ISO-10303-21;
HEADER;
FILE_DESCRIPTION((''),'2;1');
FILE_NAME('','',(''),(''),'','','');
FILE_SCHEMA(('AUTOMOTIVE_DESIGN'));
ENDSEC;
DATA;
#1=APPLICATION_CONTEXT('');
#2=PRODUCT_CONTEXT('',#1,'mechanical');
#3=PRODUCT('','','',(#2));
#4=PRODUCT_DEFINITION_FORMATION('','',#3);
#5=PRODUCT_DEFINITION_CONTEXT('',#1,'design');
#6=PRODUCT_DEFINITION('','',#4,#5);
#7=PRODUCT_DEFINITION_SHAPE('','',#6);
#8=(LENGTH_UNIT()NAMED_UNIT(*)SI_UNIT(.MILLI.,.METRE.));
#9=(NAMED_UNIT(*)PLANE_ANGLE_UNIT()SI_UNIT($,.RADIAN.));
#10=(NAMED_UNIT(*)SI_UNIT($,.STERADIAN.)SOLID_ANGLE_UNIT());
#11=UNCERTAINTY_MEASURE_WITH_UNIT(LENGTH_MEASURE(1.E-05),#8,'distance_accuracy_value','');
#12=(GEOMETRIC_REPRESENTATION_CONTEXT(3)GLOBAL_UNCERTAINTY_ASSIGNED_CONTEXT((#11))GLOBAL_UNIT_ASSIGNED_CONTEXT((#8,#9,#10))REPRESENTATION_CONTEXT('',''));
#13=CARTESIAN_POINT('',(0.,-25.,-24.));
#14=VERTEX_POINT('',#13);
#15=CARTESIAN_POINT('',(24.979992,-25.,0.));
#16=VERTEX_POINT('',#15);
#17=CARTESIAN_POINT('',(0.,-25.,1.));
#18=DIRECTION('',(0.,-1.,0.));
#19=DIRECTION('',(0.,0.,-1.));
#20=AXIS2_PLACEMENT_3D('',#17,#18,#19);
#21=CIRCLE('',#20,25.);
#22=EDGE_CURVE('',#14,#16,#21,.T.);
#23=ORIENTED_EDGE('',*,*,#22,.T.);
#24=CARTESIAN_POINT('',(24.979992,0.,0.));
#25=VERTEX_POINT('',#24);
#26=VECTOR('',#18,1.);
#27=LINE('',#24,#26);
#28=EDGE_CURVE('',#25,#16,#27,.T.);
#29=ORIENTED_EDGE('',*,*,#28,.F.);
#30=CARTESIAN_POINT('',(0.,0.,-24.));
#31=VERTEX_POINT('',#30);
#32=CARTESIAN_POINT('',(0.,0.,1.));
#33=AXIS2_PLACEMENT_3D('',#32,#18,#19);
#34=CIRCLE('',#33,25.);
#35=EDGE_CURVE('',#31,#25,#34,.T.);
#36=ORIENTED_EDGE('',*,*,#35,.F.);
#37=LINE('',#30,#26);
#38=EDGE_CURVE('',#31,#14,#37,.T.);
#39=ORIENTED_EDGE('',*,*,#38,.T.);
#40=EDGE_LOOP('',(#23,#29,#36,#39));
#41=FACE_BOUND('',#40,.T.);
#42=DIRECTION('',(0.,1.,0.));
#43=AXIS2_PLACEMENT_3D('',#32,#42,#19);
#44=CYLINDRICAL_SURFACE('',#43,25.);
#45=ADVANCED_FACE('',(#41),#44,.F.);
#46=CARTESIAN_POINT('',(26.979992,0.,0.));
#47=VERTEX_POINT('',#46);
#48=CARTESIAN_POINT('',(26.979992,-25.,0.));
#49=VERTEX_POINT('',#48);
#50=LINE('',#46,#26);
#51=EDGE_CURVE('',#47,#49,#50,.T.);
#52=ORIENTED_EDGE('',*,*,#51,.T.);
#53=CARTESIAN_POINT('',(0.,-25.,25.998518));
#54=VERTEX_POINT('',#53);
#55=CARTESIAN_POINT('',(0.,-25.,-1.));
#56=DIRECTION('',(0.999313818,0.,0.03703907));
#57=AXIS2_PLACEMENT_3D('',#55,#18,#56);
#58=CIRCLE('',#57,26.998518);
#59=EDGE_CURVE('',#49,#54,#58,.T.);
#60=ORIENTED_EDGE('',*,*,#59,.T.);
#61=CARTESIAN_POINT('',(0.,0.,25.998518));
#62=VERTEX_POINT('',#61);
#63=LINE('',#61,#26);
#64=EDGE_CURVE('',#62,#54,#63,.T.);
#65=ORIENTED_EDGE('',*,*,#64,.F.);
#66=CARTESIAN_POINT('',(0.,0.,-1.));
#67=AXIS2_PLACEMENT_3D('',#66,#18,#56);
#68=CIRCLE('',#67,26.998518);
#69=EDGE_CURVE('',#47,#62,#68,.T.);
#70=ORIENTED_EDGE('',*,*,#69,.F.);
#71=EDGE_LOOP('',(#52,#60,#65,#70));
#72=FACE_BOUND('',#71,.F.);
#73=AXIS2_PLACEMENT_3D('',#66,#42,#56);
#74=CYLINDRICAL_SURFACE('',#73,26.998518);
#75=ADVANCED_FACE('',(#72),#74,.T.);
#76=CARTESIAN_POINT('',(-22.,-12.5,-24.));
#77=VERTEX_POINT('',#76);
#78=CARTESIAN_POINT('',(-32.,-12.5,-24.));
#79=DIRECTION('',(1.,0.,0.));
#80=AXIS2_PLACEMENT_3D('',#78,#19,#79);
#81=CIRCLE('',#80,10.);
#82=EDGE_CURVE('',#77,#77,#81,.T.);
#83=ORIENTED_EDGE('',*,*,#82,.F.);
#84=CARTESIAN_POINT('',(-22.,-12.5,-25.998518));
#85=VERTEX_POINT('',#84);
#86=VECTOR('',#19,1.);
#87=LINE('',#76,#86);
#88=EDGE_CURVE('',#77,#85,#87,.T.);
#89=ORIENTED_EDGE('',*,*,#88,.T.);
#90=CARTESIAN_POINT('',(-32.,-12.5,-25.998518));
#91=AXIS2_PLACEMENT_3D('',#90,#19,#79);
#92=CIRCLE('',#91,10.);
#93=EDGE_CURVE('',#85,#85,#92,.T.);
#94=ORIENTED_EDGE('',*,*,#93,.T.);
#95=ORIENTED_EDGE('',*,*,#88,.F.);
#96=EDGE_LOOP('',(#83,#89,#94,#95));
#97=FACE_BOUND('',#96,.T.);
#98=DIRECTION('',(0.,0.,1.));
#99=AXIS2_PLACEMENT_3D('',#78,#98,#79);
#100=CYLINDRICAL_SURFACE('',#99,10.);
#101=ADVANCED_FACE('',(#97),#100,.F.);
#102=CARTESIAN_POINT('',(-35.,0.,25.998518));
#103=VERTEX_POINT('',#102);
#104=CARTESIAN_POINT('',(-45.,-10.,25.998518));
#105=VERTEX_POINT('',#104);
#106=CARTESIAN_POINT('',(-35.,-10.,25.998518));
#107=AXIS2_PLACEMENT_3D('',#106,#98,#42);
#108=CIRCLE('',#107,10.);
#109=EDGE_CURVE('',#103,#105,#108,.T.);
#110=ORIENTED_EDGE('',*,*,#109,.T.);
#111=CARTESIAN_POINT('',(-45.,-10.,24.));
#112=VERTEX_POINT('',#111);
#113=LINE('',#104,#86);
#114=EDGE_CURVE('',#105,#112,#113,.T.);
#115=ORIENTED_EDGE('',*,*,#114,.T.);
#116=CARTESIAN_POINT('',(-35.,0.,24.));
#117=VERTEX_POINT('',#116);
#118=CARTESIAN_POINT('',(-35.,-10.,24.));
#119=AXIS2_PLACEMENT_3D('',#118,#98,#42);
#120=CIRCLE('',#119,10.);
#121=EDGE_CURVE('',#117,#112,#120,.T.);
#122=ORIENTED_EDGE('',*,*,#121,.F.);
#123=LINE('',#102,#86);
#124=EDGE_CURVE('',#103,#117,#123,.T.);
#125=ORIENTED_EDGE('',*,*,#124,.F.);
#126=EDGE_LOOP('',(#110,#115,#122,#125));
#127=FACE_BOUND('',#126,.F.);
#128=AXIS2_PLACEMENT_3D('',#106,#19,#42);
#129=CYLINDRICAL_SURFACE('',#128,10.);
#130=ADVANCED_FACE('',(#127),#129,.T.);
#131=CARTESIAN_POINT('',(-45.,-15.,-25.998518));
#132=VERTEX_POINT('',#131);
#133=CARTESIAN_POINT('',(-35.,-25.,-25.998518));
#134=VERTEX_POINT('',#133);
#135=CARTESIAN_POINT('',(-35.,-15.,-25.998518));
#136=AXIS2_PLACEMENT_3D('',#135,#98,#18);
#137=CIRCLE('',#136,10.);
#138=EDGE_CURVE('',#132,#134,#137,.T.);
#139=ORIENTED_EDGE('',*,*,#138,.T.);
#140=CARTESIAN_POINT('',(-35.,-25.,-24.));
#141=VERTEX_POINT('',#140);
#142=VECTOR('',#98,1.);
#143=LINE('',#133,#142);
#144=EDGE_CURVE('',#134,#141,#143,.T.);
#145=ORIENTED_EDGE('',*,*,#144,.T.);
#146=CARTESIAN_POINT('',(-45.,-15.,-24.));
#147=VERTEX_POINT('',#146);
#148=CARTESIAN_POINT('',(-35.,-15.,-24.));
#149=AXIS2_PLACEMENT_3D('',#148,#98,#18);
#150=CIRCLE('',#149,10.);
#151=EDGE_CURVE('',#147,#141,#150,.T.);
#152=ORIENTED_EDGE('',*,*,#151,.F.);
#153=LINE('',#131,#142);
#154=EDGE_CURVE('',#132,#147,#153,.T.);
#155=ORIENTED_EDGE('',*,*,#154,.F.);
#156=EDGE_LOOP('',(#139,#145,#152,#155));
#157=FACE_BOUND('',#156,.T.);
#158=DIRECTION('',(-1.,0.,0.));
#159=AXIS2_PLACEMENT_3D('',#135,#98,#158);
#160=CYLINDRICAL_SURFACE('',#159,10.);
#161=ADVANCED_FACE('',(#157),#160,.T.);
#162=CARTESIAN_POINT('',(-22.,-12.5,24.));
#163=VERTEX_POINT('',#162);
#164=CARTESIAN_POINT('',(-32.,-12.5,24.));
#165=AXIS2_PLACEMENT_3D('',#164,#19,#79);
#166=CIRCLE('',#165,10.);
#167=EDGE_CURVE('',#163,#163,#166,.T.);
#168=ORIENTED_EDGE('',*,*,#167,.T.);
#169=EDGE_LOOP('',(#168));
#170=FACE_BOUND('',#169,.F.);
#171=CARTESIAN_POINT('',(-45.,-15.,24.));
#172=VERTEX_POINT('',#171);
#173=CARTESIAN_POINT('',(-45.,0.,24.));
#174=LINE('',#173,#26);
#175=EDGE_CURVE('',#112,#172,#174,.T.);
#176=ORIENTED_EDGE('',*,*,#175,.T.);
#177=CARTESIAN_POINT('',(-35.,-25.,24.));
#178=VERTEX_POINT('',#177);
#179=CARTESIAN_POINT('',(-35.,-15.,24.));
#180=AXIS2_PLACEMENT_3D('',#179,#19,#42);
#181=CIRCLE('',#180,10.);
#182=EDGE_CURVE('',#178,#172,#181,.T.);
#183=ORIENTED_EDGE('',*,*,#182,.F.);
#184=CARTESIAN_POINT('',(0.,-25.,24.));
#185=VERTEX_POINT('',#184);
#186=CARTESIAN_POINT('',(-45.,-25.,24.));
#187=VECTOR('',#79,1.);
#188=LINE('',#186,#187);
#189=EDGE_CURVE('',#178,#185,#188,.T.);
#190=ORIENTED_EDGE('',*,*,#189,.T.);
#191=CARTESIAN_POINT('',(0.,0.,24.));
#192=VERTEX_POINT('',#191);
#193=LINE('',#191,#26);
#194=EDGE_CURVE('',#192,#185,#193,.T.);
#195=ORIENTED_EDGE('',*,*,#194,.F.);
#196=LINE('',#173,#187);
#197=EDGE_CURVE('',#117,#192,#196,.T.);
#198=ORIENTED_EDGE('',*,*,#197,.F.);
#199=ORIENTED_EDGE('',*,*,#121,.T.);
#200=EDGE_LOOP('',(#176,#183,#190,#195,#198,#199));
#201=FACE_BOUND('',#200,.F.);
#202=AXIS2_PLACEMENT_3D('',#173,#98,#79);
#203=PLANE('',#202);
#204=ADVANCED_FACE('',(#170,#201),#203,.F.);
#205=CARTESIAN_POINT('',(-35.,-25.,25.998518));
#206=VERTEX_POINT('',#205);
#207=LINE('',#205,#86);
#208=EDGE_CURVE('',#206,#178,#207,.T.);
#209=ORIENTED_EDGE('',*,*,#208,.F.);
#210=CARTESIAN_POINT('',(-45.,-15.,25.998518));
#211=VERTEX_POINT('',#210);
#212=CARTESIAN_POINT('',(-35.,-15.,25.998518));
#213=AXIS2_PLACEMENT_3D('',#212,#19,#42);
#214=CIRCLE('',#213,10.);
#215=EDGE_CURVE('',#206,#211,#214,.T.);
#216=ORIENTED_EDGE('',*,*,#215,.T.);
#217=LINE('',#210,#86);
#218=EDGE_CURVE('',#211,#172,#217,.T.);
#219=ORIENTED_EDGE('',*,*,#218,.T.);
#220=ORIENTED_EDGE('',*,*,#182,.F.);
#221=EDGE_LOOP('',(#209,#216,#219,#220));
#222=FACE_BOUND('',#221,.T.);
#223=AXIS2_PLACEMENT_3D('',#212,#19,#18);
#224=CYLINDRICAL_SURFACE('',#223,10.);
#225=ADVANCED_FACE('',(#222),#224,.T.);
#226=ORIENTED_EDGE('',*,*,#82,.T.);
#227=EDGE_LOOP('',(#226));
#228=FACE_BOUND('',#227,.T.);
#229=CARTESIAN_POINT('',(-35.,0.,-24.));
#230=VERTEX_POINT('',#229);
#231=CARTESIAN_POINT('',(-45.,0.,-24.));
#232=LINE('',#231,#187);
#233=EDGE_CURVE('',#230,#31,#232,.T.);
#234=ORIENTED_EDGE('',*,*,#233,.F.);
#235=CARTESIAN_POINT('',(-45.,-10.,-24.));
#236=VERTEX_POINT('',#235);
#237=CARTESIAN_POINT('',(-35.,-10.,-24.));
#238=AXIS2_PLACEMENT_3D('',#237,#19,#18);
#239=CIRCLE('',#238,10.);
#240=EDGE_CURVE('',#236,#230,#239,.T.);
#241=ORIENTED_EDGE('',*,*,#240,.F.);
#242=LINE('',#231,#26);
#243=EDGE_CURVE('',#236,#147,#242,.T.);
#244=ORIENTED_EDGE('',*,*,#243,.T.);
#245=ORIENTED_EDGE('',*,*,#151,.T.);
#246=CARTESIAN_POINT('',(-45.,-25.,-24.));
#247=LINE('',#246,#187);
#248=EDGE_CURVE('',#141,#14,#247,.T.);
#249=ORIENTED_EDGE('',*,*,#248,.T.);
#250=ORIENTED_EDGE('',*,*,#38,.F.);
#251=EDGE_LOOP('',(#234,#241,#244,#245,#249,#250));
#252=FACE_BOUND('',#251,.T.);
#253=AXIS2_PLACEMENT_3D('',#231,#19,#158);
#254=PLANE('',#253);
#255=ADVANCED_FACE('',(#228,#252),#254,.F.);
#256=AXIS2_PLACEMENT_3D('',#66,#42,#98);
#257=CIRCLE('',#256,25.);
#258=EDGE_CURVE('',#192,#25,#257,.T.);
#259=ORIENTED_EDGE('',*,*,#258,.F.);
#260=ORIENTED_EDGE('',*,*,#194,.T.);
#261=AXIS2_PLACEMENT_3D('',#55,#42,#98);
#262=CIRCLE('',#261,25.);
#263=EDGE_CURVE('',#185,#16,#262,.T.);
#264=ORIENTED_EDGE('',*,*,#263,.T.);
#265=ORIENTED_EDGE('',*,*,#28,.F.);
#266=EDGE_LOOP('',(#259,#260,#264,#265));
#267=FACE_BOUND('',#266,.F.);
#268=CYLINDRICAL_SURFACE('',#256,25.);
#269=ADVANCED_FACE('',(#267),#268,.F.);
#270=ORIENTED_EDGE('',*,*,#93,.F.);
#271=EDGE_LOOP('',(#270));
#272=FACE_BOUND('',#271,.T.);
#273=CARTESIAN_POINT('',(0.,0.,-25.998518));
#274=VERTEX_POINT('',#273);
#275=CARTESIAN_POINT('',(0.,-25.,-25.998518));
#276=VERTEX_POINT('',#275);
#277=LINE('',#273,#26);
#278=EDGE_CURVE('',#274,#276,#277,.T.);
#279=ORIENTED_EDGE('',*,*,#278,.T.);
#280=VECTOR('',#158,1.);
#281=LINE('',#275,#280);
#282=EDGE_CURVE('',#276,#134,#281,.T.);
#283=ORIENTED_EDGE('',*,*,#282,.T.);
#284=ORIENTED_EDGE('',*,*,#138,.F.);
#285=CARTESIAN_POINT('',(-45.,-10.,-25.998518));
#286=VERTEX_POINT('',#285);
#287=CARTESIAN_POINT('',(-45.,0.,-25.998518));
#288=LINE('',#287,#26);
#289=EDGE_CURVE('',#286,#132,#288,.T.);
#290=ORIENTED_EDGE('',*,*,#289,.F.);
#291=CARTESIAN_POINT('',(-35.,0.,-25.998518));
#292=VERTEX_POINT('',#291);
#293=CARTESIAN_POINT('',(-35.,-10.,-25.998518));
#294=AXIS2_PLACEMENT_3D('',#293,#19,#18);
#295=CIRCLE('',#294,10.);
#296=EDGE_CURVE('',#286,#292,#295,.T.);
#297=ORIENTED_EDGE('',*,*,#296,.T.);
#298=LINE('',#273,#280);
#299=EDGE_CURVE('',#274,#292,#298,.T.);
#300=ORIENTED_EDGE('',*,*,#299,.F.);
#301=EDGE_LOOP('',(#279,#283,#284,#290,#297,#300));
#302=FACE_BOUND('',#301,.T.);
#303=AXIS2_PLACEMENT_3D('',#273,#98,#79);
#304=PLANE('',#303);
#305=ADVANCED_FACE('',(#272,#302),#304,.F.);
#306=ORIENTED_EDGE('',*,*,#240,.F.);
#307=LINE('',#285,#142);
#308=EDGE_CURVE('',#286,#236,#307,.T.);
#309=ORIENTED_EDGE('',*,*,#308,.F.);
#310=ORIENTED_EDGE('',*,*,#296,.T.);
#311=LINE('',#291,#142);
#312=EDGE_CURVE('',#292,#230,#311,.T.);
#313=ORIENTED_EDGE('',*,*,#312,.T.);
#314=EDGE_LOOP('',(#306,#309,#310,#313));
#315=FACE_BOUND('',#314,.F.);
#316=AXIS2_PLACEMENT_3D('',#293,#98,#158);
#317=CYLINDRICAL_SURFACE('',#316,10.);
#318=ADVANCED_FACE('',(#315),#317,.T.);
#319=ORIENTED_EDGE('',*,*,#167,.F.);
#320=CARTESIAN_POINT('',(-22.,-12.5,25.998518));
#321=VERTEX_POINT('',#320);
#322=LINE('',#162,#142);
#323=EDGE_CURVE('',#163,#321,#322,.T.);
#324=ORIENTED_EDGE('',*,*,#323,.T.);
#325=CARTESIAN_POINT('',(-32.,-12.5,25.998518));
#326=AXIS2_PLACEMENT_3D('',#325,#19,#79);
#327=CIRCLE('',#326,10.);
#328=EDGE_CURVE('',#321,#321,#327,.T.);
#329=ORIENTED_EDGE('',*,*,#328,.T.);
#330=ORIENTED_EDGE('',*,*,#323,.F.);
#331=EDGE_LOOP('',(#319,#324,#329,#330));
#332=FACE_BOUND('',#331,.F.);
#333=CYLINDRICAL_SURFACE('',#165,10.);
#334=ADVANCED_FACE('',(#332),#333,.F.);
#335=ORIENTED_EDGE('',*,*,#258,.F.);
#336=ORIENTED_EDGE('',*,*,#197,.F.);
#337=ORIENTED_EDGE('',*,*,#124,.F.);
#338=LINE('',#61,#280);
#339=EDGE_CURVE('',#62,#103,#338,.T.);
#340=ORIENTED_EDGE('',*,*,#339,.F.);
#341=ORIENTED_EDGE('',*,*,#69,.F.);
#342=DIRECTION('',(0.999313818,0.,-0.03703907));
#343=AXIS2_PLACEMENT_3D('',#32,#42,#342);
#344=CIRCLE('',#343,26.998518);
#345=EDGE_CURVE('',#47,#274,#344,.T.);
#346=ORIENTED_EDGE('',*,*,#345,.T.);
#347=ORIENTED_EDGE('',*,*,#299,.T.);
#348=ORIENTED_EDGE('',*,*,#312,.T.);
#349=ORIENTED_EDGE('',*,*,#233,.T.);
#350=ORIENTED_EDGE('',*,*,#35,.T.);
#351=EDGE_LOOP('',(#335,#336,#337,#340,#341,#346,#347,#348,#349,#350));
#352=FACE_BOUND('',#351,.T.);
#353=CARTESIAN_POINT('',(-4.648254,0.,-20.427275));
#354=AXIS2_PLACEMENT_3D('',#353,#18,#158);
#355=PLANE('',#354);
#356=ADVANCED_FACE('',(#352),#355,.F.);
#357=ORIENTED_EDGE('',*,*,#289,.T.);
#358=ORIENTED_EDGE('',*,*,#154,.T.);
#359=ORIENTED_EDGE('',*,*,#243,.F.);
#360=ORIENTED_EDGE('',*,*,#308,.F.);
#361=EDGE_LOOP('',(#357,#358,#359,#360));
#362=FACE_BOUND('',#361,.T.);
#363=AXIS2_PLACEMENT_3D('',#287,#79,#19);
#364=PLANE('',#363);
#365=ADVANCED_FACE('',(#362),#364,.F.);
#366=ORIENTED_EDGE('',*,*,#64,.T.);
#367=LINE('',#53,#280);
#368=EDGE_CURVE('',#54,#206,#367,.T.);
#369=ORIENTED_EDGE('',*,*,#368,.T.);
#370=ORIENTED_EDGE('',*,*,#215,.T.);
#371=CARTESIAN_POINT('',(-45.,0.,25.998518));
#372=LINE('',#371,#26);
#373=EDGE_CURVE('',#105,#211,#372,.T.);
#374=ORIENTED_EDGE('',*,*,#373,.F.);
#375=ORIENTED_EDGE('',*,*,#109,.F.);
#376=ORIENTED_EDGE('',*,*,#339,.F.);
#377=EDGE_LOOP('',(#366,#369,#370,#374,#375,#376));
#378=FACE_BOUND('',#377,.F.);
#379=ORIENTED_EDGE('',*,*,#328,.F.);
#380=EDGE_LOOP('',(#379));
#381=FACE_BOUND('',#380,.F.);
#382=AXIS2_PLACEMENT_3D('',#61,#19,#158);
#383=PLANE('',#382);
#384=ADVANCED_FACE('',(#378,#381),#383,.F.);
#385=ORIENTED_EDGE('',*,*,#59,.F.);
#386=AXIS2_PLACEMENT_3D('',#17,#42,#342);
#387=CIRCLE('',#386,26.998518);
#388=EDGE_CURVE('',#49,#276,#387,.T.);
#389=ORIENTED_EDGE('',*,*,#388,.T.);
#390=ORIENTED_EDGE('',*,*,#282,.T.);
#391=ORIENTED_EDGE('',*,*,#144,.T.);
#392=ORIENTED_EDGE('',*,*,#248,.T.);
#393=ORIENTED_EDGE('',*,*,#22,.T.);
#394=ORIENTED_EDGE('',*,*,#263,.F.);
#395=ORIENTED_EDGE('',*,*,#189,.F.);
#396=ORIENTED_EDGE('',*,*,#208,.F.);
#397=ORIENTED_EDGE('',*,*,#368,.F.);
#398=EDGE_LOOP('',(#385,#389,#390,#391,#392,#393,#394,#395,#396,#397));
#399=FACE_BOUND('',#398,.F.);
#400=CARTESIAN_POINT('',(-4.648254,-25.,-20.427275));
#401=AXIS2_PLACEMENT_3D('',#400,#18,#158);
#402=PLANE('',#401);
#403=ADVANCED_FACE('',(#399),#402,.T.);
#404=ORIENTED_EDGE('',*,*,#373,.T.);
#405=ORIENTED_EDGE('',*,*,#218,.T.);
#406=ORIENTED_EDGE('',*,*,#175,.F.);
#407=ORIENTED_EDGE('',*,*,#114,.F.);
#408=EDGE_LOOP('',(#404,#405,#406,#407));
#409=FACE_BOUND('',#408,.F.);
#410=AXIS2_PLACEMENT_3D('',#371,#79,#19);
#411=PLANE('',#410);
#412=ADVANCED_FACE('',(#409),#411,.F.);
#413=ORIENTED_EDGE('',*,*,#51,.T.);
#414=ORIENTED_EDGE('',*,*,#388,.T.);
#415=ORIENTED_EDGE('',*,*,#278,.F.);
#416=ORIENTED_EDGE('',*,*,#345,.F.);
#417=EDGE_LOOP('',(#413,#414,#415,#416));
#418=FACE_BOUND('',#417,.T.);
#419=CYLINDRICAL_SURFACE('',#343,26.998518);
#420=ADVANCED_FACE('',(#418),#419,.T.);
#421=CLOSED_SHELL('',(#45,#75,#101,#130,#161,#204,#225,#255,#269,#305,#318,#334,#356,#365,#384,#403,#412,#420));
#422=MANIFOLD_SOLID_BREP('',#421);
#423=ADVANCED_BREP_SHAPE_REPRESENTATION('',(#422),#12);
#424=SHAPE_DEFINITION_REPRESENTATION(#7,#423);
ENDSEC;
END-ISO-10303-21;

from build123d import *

# Parameters (mm, degrees)
F1_DEPTH = 25
F2_R     = 10
F3_DEPTH = 1.9995178848
F5_R     = 10


with BuildPart() as f1:
    # F0 (on Front) → F1 (new body)
    with BuildSketch(Plane.XZ):
        with BuildLine():
            Line((-45, 25.9985178848), (-45, 24))
            Line((-45, 24), (0, 24))
            ThreePointArc((0, 24), (17.3205080757, 17.0277563773), (24.9799919936, 0))
            Line((24.9799919936, 0), (26.9799919936, 0))
            ThreePointArc((26.9799919936, 0), (18.7339457949, 18.4411739082), (0, 25.9985178848))
            Line((0, 25.9985178848), (-45, 25.9985178848))
        make_face()
    extrude(amount=F1_DEPTH)

    # F2 (on face) → F3 (cut, through all)
    with BuildSketch(Plane(origin=(0, 0, 24), x_dir=(1, 0, 0), z_dir=(0, 0, -1))):
        with Locations((-32, 12.5)):
            Circle(F2_R)
    extrude(amount=-F3_DEPTH, mode=Mode.SUBTRACT)

    # F4: F1 across plane


with BuildPart() as f1_1:
    add(f1.part)
    add(f1.part.mirror(Plane.XY))

    # F5
    f5_edges = [f1_1.edges().sort_by_distance(p)[0] for p in [
        (-45, -25, 24.999259),
        (-45, -25, -24.999259),
        (-45, 0, -24.999259),
        (-45, 0, 24.999259),
    ]]
    fillet(f5_edges, radius=F5_R)


solid = f1_1.part
